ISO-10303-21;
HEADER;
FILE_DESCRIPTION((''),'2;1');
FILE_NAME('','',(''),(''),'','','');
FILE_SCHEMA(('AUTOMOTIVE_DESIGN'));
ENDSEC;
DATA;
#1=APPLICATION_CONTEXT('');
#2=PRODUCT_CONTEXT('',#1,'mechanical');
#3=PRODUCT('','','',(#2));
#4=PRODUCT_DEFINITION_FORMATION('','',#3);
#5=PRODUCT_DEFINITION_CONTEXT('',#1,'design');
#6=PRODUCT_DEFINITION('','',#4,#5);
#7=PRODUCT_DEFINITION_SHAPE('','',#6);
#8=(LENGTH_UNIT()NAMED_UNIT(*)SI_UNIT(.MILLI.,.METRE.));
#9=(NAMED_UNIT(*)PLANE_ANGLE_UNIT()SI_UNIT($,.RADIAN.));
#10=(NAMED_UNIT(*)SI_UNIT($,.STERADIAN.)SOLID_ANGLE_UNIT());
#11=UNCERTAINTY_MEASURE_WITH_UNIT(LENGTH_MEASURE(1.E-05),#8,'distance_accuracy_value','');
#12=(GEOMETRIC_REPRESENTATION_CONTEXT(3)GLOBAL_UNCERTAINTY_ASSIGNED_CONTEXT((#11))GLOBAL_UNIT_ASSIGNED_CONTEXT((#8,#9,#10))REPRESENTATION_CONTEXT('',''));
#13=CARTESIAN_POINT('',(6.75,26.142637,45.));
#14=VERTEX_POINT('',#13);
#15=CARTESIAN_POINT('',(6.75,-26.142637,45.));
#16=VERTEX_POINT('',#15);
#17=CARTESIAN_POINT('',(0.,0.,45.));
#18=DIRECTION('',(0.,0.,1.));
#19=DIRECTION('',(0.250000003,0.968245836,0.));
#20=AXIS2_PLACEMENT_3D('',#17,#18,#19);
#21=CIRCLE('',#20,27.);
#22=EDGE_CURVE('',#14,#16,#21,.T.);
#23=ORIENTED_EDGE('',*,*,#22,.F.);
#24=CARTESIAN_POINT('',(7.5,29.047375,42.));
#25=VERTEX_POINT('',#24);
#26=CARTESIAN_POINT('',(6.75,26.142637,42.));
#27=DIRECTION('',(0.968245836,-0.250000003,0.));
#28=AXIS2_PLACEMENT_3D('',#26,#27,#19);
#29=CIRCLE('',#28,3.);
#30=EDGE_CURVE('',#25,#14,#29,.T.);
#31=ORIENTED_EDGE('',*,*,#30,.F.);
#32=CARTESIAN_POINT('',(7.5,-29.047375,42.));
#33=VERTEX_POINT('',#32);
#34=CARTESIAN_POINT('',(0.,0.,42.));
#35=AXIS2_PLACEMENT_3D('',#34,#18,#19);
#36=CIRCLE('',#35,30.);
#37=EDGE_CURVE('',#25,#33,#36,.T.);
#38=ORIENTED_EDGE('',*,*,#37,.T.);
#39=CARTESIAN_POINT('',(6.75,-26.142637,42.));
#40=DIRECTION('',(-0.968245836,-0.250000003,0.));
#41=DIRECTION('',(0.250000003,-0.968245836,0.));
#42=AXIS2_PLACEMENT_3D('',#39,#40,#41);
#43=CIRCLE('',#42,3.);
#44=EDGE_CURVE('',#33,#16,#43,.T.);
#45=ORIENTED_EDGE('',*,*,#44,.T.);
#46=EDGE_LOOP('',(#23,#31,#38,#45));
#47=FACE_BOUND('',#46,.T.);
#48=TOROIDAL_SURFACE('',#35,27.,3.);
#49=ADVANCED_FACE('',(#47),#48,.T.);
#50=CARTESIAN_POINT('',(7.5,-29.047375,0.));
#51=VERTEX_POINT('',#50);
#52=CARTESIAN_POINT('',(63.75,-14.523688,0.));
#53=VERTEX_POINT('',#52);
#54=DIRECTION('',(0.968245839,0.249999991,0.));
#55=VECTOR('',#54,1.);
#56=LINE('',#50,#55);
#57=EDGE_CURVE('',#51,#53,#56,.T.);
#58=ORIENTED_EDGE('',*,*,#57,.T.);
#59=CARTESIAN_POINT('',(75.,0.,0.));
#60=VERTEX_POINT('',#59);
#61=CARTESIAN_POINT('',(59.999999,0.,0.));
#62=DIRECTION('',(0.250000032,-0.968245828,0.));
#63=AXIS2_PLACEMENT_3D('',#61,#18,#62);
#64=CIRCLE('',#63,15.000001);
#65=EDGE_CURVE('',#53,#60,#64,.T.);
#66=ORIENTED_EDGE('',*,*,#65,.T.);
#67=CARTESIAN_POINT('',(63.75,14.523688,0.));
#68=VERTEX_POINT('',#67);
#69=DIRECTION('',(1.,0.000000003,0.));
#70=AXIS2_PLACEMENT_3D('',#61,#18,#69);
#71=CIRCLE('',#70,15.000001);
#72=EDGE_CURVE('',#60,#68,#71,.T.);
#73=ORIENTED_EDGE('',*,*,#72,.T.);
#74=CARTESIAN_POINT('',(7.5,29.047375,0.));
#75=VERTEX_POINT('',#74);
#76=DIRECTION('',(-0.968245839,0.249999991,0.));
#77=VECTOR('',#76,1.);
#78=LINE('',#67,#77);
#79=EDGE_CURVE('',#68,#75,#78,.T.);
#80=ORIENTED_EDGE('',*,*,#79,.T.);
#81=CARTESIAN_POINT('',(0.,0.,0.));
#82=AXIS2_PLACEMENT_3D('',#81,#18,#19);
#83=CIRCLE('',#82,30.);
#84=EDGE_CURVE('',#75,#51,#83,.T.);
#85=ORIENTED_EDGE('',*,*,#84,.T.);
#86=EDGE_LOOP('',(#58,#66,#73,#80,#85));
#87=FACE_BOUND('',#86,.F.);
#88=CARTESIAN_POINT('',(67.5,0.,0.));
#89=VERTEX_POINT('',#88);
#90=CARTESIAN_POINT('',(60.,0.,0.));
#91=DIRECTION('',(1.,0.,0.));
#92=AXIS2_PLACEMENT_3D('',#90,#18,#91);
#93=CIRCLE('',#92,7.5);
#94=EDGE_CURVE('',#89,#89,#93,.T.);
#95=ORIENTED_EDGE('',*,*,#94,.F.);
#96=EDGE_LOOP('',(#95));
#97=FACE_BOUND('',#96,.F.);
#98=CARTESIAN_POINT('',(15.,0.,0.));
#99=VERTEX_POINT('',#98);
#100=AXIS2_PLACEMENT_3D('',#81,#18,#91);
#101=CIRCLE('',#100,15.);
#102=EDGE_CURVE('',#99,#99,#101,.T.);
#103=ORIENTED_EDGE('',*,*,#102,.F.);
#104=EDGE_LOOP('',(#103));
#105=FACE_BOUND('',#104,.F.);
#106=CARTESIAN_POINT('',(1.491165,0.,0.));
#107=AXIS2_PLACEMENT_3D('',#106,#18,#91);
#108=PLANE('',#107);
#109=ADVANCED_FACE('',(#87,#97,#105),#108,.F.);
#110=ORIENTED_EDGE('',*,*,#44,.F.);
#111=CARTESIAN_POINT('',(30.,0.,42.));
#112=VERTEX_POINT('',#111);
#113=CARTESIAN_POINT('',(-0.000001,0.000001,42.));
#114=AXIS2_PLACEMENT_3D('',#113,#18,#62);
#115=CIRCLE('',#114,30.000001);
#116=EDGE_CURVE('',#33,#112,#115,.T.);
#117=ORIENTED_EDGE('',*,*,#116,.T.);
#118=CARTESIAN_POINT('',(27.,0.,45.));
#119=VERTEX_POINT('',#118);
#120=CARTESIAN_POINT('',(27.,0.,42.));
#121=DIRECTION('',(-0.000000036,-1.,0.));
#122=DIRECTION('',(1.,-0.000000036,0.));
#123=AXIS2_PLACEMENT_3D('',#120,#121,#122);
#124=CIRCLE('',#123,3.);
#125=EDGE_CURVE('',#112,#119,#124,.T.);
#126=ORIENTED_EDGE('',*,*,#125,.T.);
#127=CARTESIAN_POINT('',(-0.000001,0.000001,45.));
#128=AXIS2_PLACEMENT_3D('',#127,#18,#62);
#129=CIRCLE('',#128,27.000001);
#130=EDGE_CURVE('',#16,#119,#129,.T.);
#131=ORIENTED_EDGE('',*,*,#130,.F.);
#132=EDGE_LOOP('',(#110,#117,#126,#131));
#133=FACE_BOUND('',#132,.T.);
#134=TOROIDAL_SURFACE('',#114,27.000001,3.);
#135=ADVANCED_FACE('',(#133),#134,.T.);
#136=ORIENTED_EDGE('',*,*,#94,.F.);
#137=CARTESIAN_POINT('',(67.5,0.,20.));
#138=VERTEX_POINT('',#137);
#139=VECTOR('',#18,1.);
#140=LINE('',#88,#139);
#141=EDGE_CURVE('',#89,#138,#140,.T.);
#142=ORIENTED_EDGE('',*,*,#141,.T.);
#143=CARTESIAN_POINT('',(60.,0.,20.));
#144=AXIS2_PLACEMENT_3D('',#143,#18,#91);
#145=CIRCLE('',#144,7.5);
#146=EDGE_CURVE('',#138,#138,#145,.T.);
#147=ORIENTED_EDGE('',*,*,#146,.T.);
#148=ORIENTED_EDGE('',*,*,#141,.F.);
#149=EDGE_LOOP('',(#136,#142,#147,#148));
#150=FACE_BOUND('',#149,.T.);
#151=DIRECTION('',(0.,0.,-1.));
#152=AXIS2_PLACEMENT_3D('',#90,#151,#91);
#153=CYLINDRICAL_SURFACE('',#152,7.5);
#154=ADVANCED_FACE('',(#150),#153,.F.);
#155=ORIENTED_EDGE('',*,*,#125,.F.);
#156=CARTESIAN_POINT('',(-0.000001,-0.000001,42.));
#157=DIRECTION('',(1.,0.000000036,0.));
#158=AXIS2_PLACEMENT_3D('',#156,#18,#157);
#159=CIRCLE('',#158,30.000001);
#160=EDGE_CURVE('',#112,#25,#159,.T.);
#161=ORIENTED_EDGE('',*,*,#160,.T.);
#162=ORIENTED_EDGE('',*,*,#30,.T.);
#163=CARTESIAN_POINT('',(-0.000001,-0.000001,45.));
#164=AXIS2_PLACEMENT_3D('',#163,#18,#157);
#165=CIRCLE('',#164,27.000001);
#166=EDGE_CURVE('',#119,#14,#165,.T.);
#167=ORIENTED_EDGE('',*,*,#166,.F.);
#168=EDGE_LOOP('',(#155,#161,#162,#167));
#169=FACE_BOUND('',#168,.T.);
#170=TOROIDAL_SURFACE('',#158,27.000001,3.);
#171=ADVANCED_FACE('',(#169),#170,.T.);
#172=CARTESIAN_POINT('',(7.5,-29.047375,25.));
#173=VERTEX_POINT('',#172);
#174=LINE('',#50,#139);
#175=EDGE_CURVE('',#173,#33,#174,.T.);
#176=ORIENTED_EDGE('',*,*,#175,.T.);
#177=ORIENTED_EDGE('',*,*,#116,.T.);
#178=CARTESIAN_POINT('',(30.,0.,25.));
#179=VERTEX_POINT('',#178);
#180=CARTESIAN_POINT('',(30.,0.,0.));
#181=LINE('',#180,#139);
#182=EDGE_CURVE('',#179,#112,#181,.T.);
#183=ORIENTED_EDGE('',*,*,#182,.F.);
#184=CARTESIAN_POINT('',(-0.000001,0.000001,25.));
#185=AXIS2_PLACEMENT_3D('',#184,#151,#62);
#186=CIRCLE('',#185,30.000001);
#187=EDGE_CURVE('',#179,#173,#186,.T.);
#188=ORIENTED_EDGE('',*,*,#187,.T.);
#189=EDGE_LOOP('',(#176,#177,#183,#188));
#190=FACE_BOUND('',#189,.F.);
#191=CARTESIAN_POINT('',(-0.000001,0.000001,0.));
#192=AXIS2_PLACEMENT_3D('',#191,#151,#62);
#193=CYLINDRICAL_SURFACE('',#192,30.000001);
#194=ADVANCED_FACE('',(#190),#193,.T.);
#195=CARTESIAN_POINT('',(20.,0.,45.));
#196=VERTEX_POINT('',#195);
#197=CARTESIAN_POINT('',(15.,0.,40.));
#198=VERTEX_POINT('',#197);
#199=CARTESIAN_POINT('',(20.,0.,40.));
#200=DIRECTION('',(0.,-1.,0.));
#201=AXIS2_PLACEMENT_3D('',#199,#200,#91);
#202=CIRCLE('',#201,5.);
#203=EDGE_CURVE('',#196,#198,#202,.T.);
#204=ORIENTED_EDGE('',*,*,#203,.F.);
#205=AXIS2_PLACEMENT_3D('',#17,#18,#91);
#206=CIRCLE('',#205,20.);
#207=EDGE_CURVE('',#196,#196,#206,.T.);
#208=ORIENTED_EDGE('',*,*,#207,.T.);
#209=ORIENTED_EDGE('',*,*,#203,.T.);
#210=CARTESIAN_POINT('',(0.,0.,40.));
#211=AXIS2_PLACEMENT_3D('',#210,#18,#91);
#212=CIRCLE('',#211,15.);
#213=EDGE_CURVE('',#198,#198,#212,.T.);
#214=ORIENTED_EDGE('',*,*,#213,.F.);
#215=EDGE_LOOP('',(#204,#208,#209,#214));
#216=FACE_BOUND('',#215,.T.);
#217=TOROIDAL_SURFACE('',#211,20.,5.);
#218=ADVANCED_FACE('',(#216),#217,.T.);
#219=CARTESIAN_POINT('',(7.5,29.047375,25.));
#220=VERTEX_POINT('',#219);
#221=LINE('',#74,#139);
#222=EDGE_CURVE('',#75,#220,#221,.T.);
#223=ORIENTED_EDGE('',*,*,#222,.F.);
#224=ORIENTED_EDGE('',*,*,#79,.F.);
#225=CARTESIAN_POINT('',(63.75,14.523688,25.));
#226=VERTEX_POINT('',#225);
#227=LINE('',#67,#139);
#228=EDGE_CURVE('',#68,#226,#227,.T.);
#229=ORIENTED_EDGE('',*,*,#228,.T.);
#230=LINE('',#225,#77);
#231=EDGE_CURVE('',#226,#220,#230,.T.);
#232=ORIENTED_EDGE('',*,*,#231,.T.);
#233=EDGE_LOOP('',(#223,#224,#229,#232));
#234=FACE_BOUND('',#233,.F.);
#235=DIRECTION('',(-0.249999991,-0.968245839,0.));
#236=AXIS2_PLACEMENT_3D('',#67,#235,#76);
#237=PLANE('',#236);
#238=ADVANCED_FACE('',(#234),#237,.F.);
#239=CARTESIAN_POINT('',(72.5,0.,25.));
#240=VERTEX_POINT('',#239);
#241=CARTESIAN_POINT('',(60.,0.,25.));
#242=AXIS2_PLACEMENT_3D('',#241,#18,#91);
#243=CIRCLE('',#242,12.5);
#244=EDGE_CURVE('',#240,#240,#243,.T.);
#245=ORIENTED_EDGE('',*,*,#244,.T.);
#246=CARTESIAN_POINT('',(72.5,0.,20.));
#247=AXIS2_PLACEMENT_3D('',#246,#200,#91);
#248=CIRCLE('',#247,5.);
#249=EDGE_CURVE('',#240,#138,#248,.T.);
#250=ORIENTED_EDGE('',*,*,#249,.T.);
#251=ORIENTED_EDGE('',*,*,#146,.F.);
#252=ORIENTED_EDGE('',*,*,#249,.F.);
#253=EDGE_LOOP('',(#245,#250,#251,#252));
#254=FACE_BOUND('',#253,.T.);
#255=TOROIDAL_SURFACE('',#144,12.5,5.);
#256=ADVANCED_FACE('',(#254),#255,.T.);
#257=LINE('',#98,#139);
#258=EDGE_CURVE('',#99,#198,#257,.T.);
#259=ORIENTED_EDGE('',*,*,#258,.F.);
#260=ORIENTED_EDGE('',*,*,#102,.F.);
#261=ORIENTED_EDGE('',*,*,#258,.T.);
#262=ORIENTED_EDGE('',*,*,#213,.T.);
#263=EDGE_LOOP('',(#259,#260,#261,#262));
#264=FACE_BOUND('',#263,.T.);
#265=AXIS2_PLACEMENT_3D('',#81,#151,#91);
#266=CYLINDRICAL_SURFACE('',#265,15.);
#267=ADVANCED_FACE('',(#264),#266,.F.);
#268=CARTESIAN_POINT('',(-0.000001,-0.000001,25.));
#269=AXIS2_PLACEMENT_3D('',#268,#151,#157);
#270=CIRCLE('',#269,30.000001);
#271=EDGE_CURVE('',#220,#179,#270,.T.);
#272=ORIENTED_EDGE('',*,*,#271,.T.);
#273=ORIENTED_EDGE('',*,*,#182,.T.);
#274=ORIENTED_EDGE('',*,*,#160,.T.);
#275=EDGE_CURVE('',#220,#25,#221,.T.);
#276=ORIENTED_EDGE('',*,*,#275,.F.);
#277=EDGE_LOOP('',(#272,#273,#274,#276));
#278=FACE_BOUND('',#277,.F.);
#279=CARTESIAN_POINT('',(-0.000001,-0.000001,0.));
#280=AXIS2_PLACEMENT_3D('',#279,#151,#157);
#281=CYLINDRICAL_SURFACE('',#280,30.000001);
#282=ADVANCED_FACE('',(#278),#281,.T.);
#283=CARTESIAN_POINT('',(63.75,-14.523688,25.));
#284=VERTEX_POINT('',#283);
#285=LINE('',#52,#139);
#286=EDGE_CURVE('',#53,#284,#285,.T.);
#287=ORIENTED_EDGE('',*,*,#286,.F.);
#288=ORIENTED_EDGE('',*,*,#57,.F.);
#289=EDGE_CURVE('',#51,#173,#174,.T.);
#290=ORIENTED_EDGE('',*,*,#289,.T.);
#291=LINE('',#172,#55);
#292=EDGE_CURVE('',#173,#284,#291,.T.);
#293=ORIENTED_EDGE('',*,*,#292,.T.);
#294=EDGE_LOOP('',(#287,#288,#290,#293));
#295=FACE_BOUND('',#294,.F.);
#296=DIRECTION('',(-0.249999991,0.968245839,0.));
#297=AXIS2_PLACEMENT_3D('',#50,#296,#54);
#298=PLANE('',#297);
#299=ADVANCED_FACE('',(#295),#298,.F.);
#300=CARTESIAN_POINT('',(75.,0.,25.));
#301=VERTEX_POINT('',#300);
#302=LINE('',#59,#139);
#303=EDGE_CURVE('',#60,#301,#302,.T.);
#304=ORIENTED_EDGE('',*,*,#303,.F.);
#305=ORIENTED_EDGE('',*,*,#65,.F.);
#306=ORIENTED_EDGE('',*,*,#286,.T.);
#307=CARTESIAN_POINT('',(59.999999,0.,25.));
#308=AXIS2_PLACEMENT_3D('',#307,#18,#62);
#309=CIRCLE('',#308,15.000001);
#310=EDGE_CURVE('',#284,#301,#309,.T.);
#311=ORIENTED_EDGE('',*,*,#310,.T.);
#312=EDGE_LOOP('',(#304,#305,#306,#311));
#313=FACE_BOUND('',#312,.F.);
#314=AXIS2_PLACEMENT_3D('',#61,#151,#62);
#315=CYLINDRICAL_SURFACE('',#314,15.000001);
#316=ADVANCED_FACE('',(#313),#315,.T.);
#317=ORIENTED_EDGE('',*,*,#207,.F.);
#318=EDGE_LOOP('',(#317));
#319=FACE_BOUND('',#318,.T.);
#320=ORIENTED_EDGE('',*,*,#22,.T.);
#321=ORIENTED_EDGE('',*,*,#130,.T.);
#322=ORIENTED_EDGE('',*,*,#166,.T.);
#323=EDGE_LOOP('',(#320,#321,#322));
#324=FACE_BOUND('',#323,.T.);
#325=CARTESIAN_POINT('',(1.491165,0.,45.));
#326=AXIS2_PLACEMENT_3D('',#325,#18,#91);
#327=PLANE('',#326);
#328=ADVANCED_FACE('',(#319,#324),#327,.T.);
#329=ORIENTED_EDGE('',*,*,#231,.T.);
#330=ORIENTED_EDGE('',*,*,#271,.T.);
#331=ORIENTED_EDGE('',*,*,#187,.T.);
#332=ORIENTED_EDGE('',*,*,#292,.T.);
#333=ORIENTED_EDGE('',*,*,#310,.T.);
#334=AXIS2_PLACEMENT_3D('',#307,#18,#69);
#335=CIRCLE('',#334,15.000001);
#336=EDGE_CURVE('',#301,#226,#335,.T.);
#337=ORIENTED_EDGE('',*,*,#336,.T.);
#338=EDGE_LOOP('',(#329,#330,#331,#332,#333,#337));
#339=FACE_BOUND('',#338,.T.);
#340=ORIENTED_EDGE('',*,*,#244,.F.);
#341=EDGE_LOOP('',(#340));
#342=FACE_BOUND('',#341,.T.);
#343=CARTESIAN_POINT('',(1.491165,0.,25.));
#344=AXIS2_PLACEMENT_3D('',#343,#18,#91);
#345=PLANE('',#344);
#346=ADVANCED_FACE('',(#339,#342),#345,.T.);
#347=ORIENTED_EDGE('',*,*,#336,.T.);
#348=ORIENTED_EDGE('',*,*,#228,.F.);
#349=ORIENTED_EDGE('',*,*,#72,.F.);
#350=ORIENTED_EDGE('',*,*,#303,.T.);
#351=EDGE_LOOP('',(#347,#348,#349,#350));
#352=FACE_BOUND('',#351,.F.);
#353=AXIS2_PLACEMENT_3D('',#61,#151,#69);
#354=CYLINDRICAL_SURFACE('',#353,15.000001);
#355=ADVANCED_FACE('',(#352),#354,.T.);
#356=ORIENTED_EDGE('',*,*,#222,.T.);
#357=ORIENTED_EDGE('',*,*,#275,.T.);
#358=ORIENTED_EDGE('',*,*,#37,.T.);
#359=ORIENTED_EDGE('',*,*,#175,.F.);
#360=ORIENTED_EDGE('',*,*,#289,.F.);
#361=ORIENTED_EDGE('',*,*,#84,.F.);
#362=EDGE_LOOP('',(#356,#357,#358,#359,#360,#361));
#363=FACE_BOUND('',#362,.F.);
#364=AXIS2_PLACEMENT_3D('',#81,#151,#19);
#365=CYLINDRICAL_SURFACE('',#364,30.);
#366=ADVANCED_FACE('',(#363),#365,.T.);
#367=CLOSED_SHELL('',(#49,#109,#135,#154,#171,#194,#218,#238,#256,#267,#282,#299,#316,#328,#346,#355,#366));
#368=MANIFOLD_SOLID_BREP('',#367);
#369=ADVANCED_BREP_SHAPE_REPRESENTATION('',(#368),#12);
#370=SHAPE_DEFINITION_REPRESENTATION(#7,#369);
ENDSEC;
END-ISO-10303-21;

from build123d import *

# Parameters (mm, degrees)
F0_R     = 15
F0_R_2   = 7.5
F1_DEPTH = 25
F2_DEPTH = 45
F3_R     = 3
F4_R     = 5


with BuildPart() as f1:
    # F0 (on Top) → F1 (new body)
    with BuildSketch(Plane.XY):
        with BuildLine():
            ThreePointArc((7.5, -29.047375), (23.717082, -18.371173), (30, 0))
            ThreePointArc((30, 0), (23.717082, 18.371173), (7.5, 29.047375))
            ThreePointArc((7.5, 29.047375), (-30, 0), (7.5, -29.047375))
        make_face()
        Circle(F0_R, mode=Mode.SUBTRACT)
        with BuildLine():
            ThreePointArc((7.5, 29.047375), (23.717082, 18.371173), (30, 0))
            ThreePointArc((30, 0), (23.717082, -18.371173), (7.5, -29.047375))
            Line((7.5, -29.047375), (63.75, -14.523688))
            ThreePointArc((63.75, -14.523688), (45, 0), (63.75, 14.523688))
            Line((63.75, 14.523688), (7.5, 29.047375))
        make_face()
        with BuildLine():
            ThreePointArc((75, 0), (71.858541, 9.185587), (63.75, 14.523688))
            ThreePointArc((63.75, 14.523688), (45, 0), (63.75, -14.523688))
            ThreePointArc((63.75, -14.523688), (71.858541, -9.185587), (75, 0))
        make_face()
        with Locations((60, 0)):
            Circle(F0_R_2, mode=Mode.SUBTRACT)
    extrude(amount=F1_DEPTH)

    # F0 (on Top) → F2 (join)
    with BuildSketch(Plane.XY):
        with BuildLine():
            ThreePointArc((7.5, -29.047375), (23.717082, -18.371173), (30, 0))
            ThreePointArc((30, 0), (23.717082, 18.371173), (7.5, 29.047375))
            ThreePointArc((7.5, 29.047375), (-30, 0), (7.5, -29.047375))
        make_face()
        Circle(F0_R, mode=Mode.SUBTRACT)
    extrude(amount=F2_DEPTH)

    # F3
    f3_edges = [f1.edges().sort_by_distance(p)[0] for p in [
        (-7.5, 29.047375, 45),
    ]]
    fillet(f3_edges, radius=F3_R)

    # F4
    f4_edges = [f1.edges().sort_by_distance(p)[0] for p in [
        (-15, 0, 45),
        (52.5, 0, 25),
    ]]
    fillet(f4_edges, radius=F4_R)


solid = f1.part
